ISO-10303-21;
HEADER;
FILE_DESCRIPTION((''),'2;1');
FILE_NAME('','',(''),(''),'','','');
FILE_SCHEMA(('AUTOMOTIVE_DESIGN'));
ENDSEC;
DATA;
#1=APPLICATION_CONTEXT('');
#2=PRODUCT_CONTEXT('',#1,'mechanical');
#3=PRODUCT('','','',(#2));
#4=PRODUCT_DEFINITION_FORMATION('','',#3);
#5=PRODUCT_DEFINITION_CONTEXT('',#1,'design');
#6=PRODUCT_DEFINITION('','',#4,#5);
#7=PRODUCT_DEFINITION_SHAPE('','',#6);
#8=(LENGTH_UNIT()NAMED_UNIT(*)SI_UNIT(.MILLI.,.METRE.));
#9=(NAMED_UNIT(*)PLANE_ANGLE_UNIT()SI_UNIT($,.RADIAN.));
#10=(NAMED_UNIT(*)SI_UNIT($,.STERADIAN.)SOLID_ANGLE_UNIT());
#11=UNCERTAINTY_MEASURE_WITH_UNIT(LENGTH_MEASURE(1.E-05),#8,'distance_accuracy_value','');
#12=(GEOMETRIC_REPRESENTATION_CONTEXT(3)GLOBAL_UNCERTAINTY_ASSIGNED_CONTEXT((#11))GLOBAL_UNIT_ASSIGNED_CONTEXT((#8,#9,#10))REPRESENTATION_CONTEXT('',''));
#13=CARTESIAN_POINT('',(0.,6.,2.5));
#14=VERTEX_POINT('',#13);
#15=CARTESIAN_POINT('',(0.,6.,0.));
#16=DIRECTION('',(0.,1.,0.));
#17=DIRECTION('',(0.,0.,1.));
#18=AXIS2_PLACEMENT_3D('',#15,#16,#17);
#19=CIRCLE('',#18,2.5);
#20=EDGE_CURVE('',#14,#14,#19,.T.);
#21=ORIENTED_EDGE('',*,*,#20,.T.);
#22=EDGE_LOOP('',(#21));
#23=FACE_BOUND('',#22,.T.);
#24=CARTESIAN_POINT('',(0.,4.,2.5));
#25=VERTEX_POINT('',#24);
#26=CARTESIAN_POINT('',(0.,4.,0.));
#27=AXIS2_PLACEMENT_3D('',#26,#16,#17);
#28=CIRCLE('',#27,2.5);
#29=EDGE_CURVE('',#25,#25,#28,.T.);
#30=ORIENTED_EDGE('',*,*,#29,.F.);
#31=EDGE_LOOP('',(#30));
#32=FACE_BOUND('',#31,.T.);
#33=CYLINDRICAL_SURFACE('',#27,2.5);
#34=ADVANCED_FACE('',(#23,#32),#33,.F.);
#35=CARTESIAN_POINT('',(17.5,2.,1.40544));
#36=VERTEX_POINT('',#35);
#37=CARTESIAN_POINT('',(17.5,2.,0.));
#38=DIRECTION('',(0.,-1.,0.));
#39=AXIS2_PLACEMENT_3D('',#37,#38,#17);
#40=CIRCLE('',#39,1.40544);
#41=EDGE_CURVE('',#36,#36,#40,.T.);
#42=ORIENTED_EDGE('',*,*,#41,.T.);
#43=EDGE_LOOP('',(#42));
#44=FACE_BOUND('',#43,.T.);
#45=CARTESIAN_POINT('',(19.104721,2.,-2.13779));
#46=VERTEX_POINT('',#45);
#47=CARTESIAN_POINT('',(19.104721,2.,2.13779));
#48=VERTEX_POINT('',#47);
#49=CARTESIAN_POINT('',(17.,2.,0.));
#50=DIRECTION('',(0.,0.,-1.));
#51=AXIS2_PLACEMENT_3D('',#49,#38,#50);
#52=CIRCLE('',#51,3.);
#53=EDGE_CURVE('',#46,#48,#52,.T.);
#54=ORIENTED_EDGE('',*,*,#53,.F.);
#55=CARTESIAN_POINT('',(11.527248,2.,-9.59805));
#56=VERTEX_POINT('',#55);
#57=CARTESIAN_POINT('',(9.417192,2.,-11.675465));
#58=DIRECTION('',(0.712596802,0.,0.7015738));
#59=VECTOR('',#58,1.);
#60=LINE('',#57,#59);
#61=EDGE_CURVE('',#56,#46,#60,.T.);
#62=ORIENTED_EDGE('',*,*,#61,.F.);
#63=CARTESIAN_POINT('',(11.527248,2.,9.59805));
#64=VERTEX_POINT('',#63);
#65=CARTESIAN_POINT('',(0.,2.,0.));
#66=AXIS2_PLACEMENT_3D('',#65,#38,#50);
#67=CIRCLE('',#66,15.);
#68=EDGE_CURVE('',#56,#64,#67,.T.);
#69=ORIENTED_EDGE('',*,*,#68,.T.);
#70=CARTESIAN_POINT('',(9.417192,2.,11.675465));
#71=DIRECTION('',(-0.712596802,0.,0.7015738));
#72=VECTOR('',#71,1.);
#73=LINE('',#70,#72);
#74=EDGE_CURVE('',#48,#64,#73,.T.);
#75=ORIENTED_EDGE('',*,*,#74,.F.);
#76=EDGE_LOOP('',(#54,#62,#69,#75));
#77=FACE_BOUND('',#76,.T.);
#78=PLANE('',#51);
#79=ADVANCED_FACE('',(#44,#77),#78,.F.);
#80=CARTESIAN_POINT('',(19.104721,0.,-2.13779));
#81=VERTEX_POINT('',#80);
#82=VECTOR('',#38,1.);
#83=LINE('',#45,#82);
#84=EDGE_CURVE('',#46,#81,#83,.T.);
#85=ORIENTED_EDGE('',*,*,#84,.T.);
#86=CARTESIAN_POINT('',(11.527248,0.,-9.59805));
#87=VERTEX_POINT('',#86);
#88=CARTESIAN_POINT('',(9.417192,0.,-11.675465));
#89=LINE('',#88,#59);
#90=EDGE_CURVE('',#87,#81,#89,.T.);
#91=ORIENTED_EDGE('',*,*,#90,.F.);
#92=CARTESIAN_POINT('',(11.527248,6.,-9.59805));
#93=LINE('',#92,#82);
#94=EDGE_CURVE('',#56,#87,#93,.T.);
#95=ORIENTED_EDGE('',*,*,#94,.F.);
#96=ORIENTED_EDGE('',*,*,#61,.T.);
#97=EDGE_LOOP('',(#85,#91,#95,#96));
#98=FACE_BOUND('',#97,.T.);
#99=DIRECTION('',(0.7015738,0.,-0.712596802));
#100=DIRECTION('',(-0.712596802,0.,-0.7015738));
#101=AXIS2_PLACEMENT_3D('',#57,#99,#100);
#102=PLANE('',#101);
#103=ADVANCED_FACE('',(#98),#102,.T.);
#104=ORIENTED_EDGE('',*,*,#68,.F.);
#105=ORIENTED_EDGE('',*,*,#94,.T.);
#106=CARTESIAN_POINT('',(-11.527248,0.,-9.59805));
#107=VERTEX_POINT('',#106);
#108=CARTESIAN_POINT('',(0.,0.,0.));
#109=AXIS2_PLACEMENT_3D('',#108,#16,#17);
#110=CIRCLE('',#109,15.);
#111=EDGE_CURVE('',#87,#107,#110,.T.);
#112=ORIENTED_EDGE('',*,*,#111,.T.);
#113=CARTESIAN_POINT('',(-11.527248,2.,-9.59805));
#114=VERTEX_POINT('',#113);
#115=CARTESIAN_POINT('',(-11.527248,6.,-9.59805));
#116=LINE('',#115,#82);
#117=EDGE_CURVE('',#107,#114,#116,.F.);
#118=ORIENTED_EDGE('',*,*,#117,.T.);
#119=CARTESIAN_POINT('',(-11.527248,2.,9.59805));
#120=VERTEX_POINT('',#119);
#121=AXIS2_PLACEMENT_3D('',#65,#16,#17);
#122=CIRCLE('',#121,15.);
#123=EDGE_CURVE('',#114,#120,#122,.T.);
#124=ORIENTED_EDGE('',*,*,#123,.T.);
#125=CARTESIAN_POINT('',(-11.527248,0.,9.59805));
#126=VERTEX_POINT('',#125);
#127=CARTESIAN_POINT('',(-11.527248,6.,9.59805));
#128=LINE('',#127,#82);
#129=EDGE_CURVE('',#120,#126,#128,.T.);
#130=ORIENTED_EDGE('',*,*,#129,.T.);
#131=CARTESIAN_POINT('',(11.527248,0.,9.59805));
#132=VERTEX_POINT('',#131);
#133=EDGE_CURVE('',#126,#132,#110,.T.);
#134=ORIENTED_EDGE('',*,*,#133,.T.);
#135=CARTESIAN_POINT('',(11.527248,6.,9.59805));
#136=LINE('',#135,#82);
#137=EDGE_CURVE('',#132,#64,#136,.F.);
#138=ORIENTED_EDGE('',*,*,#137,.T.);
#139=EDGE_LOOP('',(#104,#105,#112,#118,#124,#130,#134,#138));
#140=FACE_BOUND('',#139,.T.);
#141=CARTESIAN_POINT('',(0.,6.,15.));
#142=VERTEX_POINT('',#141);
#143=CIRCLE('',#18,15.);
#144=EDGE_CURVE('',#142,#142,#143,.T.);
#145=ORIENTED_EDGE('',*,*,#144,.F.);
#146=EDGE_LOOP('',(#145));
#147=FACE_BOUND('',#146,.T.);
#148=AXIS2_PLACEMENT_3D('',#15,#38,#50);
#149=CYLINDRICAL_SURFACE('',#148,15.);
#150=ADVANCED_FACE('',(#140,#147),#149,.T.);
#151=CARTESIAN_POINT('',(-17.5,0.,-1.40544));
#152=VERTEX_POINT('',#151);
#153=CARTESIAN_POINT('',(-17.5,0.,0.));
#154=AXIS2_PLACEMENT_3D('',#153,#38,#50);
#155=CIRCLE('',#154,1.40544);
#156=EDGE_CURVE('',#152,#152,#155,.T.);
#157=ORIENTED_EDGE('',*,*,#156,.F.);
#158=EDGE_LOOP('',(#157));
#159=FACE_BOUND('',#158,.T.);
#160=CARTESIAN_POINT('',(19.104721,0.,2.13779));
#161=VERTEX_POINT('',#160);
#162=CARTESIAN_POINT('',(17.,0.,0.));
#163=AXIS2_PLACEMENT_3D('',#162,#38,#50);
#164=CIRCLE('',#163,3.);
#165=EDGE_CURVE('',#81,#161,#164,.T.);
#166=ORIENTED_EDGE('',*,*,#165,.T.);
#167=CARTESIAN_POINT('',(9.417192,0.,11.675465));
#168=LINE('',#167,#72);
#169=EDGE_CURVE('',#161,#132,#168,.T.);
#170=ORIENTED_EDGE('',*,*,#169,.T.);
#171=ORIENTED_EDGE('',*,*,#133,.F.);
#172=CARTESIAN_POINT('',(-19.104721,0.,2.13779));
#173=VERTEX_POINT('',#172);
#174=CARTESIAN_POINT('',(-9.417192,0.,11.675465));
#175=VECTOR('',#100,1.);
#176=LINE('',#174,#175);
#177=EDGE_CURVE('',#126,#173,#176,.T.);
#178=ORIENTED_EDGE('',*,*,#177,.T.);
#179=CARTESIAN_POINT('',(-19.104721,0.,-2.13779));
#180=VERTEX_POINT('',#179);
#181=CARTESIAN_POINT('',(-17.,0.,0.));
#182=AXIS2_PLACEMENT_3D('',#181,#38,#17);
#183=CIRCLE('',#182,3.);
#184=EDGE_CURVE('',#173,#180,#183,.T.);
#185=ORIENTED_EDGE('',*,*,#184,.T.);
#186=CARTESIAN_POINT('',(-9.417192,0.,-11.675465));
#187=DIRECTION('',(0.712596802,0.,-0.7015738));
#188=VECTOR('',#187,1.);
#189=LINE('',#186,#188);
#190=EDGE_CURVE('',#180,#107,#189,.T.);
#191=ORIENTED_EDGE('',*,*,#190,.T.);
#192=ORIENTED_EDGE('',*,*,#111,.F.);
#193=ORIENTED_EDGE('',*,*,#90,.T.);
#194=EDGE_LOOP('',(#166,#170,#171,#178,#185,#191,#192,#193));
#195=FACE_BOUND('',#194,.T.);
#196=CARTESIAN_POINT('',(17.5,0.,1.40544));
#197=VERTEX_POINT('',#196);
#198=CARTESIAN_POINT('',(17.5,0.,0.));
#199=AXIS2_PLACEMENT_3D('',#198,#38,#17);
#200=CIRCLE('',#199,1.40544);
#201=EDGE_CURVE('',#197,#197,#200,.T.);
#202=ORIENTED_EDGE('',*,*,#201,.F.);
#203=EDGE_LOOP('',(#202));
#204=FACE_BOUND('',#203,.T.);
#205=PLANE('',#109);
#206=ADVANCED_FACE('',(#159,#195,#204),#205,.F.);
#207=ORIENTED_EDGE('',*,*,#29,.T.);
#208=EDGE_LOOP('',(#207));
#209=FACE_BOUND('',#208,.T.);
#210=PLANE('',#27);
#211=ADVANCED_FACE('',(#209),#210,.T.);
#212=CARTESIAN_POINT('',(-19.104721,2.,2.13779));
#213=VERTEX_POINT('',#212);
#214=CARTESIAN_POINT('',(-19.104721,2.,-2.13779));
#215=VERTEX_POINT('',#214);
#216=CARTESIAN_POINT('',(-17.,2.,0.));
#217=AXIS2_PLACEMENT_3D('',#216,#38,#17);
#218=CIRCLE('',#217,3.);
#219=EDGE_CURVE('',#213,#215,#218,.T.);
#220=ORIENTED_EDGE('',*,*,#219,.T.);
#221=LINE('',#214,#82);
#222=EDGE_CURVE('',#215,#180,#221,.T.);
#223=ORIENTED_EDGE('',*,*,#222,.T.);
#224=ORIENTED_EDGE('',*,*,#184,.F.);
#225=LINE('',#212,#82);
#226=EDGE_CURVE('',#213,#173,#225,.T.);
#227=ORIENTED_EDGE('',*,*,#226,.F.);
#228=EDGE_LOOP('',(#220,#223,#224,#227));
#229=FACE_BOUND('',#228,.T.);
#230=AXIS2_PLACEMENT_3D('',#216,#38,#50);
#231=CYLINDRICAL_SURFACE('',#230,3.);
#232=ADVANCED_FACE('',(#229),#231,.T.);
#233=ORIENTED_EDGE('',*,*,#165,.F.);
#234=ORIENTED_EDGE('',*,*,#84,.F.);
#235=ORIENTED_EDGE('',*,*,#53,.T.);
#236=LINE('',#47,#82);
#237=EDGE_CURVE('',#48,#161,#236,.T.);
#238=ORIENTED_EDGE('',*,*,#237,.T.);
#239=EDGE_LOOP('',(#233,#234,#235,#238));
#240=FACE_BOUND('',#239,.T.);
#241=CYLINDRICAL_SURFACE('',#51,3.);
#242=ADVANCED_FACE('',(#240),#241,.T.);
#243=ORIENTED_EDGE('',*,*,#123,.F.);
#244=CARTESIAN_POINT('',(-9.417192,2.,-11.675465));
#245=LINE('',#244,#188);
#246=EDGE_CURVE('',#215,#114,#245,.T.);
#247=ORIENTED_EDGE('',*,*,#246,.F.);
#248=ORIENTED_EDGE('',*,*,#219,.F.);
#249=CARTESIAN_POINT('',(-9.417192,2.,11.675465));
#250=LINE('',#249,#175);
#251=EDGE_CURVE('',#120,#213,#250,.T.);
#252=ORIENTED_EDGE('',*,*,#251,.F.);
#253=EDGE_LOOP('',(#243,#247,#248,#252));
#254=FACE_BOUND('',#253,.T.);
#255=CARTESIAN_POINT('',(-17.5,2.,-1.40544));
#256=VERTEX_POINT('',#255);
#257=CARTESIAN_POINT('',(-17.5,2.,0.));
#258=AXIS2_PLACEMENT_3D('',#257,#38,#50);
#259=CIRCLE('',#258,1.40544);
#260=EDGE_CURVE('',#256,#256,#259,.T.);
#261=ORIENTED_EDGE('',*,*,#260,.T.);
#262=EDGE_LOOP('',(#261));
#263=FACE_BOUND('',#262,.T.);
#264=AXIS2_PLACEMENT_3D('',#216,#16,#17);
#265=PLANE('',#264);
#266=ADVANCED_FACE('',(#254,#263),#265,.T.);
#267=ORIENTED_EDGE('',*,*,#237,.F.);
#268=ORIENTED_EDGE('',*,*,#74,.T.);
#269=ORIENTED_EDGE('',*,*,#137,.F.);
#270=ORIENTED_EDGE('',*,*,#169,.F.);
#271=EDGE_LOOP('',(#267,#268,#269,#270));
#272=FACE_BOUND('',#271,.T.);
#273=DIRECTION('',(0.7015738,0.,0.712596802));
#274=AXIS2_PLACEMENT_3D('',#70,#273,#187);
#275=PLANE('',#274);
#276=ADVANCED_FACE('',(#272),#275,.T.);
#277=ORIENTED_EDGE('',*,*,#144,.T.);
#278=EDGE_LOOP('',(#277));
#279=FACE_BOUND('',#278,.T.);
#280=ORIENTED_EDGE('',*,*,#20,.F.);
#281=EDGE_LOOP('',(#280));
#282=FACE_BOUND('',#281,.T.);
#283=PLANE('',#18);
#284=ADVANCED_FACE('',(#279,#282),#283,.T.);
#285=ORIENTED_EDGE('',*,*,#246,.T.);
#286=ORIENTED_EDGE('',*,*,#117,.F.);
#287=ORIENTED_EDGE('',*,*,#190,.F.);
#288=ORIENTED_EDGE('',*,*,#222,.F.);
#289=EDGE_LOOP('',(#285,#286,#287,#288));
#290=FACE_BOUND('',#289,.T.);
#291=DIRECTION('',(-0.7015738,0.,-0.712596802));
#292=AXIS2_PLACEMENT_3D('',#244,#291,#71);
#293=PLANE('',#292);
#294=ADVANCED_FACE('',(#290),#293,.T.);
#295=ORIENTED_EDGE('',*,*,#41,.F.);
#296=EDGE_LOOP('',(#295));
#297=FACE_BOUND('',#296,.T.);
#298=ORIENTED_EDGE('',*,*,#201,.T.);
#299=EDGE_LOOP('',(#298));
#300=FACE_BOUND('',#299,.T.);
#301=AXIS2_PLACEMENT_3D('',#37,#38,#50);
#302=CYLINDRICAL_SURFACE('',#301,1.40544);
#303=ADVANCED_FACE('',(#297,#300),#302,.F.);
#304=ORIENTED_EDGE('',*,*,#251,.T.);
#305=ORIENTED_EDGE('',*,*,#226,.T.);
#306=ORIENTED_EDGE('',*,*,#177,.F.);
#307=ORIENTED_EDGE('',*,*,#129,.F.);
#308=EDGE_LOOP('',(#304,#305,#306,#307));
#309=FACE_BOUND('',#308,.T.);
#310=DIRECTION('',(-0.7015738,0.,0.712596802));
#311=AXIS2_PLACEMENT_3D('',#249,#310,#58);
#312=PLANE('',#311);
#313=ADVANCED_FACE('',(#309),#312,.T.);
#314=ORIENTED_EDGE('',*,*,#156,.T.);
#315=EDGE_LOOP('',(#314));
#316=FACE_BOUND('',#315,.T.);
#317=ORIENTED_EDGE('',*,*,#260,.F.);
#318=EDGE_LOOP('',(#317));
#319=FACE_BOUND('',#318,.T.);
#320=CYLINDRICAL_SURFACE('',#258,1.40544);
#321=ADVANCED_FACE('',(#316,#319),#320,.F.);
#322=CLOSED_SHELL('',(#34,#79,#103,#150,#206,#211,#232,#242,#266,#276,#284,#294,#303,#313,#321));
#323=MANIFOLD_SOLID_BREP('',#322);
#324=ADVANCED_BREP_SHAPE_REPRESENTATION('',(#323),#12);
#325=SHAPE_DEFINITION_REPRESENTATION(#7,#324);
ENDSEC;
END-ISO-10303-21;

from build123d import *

# Parameters (mm, degrees)
SKETCH_1_R          = 15
EXTRUDE_1_DEPTH     = 6
SKETCH_2_R          = 2.5
CUT_EXTRUDE_1_DEPTH = 2
SKETCH_3_R          = 1.40543951
EXTRUDE_2_DEPTH     = 2


with BuildPart() as part:
    # 草图1 → 凸台-拉伸1 (new body)
    with BuildSketch(Plane(origin=(0, 0, 0), x_dir=(1, 0, 0), z_dir=(0, 1, 0))):
        with Locations(Location((0, 0, 0), (0, 0, 270))):
            Circle(SKETCH_1_R)
    extrude(amount=EXTRUDE_1_DEPTH)

    # 草图2 → 切除-拉伸1 (cut)
    with BuildSketch(Plane(origin=(0, 6, 0), x_dir=(1, 0, 0), z_dir=(0, 1, 0))):
        with Locations(Location((0, 0, 0), (0, 0, 270))):
            Circle(SKETCH_2_R)
    extrude(amount=-CUT_EXTRUDE_1_DEPTH, mode=Mode.SUBTRACT)

    # 草图3 → 凸台-拉伸2 (add)
    # profile 1 of 2: a face of its own
    with BuildSketch(Plane.XZ):
        with BuildLine():
            Line((-9.417192288, 11.675465276), (-19.104721401, 2.137790407))
            ThreePointArc((-19.104721401, 2.137790407), (-20, 0), (-19.104721401, -2.137790407))
            Line((-19.104721401, -2.137790407), (-9.417192288, -11.675465276))
            Line((-9.417192288, -11.675465276), (-9.417192288, 11.675465276))
        make_face()
        with Locations(Location((-17.5, 0, 0), (0, 0, 270))):
            Circle(SKETCH_3_R, mode=Mode.SUBTRACT)
    # profile 2 of 2: a face of its own
    with BuildSketch(Plane.XZ):
        with BuildLine():
            Line((9.417192288, 11.675465276), (9.417192288, -11.675465276))
            Line((9.417192288, -11.675465276), (19.104721401, -2.137790407))
            ThreePointArc((19.104721401, -2.137790407), (20, 0), (19.104721401, 2.137790407))
            Line((19.104721401, 2.137790407), (9.417192288, 11.675465276))
        make_face()
        with Locations(Location((17.5, 0, 0), (0, 0, 90))):
            Circle(SKETCH_3_R, mode=Mode.SUBTRACT)
    extrude(amount=-EXTRUDE_2_DEPTH)


solid = part.part
